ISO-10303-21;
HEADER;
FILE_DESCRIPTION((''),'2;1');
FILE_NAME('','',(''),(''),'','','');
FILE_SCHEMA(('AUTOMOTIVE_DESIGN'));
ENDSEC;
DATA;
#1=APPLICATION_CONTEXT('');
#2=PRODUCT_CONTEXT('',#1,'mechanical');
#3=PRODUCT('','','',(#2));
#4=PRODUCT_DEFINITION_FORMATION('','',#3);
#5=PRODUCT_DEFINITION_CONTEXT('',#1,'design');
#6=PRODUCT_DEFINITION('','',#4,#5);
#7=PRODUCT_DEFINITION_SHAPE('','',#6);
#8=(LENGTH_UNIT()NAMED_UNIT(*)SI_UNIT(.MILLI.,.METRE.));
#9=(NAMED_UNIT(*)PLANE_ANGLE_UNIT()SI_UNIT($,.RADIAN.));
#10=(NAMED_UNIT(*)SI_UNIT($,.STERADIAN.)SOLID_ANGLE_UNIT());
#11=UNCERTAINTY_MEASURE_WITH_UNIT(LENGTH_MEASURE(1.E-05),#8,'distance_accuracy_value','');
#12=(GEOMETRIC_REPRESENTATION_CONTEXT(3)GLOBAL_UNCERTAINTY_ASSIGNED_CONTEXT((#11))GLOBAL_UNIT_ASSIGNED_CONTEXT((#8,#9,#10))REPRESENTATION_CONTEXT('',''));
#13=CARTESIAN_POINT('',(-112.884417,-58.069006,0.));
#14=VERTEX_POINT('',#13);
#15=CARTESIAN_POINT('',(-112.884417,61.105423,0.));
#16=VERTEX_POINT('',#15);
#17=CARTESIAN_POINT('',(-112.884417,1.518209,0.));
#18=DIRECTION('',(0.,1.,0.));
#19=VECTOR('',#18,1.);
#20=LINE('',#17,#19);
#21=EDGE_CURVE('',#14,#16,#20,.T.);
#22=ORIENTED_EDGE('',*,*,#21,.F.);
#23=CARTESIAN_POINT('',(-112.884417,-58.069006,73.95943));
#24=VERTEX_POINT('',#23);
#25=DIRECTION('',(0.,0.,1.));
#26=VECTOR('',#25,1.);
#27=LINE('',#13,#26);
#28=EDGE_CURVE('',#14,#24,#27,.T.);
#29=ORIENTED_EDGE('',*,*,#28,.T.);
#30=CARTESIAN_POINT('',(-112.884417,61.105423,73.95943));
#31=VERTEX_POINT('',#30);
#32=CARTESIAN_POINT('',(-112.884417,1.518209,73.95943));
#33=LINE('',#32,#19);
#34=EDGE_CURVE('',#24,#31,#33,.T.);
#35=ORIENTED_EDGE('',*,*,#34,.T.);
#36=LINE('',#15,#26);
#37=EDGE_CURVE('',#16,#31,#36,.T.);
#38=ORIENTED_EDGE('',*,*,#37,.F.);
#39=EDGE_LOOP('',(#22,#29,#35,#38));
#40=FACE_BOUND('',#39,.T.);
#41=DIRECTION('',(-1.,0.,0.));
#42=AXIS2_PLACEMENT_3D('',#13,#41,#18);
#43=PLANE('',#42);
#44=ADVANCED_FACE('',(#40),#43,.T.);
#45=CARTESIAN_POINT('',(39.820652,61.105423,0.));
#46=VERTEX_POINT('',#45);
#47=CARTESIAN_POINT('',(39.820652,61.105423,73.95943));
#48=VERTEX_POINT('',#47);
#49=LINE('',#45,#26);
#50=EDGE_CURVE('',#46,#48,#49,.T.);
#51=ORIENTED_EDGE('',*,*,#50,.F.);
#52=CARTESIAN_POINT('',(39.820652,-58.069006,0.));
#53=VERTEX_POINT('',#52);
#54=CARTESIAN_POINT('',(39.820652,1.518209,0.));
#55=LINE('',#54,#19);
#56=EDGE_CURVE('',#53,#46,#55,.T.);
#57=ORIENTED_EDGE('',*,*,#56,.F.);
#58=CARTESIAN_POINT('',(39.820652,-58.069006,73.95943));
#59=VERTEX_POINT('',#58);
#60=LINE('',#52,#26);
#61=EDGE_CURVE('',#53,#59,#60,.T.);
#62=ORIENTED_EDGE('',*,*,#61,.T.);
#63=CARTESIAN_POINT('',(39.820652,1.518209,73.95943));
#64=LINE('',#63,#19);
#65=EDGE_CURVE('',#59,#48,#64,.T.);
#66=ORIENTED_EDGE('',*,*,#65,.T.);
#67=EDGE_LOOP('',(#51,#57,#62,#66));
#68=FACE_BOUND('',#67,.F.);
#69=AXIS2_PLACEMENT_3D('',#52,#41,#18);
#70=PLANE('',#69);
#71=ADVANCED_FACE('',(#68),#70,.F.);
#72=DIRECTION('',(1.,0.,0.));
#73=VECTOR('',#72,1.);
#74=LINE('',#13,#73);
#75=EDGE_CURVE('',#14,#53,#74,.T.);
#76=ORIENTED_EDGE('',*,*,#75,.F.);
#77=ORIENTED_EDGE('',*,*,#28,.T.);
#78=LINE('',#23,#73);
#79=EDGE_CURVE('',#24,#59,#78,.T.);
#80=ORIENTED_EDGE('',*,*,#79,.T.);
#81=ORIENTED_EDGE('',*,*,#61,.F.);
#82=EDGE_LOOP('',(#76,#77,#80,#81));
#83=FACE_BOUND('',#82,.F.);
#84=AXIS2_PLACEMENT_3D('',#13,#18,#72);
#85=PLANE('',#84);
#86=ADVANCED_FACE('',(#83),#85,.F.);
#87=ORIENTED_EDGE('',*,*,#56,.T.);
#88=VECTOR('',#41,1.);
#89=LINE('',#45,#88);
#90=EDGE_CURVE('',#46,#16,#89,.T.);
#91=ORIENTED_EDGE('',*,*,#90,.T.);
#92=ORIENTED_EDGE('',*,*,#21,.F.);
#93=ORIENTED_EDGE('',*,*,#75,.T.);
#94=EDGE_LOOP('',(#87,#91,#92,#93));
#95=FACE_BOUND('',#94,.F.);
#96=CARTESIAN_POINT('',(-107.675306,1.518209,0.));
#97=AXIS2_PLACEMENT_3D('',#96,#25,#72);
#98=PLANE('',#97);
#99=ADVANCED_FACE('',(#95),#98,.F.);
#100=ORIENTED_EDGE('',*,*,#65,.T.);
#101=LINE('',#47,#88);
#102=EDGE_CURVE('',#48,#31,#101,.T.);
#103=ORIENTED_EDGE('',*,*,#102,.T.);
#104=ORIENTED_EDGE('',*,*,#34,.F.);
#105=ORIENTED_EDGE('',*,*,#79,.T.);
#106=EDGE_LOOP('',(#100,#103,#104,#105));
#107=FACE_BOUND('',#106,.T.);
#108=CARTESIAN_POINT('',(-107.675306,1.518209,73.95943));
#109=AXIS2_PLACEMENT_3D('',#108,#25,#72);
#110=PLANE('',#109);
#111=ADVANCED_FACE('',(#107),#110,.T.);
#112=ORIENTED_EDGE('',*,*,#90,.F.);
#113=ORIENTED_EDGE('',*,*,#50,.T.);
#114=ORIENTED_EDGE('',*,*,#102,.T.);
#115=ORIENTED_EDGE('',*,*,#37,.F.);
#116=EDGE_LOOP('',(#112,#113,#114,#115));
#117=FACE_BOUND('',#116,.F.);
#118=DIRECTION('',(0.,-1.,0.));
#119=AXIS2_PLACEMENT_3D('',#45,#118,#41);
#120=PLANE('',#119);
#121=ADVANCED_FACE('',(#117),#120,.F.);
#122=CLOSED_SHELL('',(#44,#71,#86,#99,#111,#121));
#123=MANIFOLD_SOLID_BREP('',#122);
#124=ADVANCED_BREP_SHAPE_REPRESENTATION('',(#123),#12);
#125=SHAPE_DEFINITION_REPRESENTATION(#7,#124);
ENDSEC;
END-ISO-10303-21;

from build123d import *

# Parameters (mm, degrees)
F0_W     = 10.4182213545
F0_H     = 119.1744282842
F0_W_2   = 133.3499960601
F0_W_3   = 8.9368522167
F1_DEPTH = 73.95943


with BuildPart() as f1:
    # F0 (on Top) → F1 (new body)
    with BuildSketch(Plane.XY):
        with Locations((-107.675306499, 1.5182085335)):
            Rectangle(F0_W, F0_H)
        with Locations((-35.7911977917, 1.5182085335)):
            Rectangle(F0_W_2, F0_H)
        with Locations((35.3522263467, 1.5182085335)):
            Rectangle(F0_W_3, F0_H)
    extrude(amount=F1_DEPTH)


solid = f1.part
